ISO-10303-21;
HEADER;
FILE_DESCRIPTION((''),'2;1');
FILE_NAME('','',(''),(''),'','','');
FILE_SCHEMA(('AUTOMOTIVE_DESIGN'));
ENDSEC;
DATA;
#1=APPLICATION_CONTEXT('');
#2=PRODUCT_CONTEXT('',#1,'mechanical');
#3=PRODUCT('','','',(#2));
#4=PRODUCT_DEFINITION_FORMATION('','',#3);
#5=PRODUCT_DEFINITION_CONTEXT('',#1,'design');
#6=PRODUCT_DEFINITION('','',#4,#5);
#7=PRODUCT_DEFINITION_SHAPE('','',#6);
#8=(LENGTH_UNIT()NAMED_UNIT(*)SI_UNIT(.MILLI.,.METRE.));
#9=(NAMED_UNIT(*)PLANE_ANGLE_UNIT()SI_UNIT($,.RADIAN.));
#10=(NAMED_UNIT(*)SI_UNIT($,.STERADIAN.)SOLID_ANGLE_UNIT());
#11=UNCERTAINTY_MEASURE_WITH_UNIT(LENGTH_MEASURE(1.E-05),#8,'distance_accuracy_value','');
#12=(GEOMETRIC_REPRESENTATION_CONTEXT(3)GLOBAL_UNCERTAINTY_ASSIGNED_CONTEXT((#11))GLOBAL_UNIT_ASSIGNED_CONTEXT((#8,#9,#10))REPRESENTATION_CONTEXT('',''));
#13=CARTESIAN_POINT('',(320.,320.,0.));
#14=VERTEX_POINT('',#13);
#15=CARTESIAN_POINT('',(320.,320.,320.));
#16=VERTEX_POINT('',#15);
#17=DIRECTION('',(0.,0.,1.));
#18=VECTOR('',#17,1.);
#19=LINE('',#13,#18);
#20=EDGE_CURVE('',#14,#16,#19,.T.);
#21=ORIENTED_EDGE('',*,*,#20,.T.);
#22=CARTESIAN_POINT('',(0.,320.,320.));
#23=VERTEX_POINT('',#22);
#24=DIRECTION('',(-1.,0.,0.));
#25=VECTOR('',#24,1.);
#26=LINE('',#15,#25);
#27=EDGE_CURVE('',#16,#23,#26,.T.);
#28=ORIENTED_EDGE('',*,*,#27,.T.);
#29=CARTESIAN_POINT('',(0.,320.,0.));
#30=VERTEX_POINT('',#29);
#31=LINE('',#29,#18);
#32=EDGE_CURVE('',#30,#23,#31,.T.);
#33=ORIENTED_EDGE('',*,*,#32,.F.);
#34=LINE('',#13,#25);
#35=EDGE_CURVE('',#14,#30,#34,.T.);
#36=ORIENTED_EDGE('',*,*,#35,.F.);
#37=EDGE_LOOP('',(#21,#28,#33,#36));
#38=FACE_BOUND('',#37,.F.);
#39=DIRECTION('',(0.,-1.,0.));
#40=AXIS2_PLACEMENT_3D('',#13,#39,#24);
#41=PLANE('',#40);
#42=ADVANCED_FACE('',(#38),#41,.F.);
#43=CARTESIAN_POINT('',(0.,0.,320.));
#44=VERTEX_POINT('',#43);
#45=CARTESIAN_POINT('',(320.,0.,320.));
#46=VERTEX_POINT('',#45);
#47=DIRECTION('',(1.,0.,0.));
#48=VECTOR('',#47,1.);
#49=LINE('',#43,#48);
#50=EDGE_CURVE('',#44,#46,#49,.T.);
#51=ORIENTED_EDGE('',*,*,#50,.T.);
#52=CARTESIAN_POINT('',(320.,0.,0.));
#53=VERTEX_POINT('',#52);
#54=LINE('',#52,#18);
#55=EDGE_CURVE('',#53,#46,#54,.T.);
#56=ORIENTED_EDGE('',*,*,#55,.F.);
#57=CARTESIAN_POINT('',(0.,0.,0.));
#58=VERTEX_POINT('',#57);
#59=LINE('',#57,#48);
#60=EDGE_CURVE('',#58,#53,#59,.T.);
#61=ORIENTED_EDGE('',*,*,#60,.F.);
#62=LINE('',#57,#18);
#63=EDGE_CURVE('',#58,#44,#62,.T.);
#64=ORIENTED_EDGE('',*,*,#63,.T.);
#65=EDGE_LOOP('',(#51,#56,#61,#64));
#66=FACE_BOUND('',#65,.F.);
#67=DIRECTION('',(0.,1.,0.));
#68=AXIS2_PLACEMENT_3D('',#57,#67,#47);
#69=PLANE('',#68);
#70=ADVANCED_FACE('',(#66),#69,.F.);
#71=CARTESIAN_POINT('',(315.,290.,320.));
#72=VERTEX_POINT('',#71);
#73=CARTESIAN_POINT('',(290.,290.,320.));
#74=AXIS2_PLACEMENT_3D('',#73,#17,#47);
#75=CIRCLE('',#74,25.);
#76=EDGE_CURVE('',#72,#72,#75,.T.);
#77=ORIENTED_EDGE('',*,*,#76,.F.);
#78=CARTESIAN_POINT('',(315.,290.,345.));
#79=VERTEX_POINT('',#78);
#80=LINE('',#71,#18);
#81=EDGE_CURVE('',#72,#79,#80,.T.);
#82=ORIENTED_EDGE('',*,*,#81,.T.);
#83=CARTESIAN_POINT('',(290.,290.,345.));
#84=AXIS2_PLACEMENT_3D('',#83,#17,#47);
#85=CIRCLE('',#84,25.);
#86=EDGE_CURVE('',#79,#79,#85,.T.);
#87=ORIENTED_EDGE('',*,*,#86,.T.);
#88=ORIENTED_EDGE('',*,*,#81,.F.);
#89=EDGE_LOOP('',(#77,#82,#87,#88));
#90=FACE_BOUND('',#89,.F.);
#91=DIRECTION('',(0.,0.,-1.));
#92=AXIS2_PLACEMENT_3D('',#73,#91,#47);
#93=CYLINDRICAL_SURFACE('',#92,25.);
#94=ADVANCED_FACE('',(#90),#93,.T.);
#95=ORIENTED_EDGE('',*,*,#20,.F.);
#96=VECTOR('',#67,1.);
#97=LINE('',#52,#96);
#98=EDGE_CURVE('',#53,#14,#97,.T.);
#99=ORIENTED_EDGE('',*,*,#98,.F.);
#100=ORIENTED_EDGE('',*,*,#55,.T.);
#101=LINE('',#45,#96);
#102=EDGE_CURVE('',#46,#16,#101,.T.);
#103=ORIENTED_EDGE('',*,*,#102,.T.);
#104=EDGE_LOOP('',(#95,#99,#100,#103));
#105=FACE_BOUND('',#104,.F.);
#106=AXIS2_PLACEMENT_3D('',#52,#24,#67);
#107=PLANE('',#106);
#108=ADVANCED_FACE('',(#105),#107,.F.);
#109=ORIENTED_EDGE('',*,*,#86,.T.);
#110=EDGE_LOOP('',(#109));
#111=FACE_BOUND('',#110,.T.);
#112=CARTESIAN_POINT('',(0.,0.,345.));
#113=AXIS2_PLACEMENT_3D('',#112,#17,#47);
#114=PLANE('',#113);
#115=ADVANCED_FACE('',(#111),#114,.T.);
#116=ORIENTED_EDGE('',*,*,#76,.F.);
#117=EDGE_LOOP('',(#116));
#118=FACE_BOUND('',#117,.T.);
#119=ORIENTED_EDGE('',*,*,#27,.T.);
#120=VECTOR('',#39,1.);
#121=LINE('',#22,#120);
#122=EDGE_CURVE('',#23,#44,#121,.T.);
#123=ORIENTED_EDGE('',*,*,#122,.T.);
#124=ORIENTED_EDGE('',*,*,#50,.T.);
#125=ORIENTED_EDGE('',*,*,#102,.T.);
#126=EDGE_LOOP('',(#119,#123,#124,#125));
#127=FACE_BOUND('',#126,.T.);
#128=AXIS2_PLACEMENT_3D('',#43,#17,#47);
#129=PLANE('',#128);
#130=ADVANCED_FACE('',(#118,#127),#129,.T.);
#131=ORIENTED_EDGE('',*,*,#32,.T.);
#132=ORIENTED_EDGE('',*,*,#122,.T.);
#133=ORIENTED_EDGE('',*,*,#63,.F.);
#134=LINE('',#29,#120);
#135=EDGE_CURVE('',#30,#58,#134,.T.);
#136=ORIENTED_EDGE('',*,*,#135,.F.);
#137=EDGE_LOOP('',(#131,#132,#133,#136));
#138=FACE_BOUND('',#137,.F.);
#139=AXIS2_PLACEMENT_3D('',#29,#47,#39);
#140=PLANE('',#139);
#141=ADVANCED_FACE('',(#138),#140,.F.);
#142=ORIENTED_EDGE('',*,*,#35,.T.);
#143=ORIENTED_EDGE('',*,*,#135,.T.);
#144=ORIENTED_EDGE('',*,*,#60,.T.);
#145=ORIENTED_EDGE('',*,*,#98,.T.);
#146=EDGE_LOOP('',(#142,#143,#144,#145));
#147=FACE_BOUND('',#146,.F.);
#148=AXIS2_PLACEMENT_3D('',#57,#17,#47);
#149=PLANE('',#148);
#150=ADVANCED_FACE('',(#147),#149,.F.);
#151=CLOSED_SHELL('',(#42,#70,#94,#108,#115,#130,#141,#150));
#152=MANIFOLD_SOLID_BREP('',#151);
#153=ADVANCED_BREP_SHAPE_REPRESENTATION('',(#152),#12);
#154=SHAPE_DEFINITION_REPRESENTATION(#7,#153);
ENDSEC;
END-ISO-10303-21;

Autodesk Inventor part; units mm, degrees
ref_plane "YZ Plane" through (0, 0, 0) normal (1, 0, 0) x (0, 1, 0)
ref_plane "XZ Plane" through (0, 0, 0) normal (0, 1, 0) x (-1, 0, 0)
ref_plane "XY Plane" through (0, 0, 0) normal (0, 0, 1) x (1, 0, 0)
sketch "Sketch1" plane through (0, 0, 0) normal (0, 0, 1) x (1, 0, 0)
  line L0 (0, 0) -> (320, 0)
  line L1 (320, 0) -> (320, 320)
  line L2 (320, 320) -> (0, 320)
  line L3 (0, 320) -> (0, 0)
  dimension "d0" = 320
  dimension "d1" = 320
extrude "Extrusion1" add sketch "Sketch1" along normal blind 320
sketch "Sketch3" plane through (0, 0, 320) normal (0, 0, 1) x (1, 0, 0)
  circle A0 centre (290, 290) radius 25
  line L0 (320, 320) -> (0, 320) projected
  line L1 (320, 0) -> (320, 320) projected
  point P0 (0, 0)
  dimension "d6" = 50
  dimension "d7" = 30
  dimension "d8" = 30
extrude "Extrusion3" add sketch "Sketch3" along normal blind 25
properties part number "Engine ktm 690"
